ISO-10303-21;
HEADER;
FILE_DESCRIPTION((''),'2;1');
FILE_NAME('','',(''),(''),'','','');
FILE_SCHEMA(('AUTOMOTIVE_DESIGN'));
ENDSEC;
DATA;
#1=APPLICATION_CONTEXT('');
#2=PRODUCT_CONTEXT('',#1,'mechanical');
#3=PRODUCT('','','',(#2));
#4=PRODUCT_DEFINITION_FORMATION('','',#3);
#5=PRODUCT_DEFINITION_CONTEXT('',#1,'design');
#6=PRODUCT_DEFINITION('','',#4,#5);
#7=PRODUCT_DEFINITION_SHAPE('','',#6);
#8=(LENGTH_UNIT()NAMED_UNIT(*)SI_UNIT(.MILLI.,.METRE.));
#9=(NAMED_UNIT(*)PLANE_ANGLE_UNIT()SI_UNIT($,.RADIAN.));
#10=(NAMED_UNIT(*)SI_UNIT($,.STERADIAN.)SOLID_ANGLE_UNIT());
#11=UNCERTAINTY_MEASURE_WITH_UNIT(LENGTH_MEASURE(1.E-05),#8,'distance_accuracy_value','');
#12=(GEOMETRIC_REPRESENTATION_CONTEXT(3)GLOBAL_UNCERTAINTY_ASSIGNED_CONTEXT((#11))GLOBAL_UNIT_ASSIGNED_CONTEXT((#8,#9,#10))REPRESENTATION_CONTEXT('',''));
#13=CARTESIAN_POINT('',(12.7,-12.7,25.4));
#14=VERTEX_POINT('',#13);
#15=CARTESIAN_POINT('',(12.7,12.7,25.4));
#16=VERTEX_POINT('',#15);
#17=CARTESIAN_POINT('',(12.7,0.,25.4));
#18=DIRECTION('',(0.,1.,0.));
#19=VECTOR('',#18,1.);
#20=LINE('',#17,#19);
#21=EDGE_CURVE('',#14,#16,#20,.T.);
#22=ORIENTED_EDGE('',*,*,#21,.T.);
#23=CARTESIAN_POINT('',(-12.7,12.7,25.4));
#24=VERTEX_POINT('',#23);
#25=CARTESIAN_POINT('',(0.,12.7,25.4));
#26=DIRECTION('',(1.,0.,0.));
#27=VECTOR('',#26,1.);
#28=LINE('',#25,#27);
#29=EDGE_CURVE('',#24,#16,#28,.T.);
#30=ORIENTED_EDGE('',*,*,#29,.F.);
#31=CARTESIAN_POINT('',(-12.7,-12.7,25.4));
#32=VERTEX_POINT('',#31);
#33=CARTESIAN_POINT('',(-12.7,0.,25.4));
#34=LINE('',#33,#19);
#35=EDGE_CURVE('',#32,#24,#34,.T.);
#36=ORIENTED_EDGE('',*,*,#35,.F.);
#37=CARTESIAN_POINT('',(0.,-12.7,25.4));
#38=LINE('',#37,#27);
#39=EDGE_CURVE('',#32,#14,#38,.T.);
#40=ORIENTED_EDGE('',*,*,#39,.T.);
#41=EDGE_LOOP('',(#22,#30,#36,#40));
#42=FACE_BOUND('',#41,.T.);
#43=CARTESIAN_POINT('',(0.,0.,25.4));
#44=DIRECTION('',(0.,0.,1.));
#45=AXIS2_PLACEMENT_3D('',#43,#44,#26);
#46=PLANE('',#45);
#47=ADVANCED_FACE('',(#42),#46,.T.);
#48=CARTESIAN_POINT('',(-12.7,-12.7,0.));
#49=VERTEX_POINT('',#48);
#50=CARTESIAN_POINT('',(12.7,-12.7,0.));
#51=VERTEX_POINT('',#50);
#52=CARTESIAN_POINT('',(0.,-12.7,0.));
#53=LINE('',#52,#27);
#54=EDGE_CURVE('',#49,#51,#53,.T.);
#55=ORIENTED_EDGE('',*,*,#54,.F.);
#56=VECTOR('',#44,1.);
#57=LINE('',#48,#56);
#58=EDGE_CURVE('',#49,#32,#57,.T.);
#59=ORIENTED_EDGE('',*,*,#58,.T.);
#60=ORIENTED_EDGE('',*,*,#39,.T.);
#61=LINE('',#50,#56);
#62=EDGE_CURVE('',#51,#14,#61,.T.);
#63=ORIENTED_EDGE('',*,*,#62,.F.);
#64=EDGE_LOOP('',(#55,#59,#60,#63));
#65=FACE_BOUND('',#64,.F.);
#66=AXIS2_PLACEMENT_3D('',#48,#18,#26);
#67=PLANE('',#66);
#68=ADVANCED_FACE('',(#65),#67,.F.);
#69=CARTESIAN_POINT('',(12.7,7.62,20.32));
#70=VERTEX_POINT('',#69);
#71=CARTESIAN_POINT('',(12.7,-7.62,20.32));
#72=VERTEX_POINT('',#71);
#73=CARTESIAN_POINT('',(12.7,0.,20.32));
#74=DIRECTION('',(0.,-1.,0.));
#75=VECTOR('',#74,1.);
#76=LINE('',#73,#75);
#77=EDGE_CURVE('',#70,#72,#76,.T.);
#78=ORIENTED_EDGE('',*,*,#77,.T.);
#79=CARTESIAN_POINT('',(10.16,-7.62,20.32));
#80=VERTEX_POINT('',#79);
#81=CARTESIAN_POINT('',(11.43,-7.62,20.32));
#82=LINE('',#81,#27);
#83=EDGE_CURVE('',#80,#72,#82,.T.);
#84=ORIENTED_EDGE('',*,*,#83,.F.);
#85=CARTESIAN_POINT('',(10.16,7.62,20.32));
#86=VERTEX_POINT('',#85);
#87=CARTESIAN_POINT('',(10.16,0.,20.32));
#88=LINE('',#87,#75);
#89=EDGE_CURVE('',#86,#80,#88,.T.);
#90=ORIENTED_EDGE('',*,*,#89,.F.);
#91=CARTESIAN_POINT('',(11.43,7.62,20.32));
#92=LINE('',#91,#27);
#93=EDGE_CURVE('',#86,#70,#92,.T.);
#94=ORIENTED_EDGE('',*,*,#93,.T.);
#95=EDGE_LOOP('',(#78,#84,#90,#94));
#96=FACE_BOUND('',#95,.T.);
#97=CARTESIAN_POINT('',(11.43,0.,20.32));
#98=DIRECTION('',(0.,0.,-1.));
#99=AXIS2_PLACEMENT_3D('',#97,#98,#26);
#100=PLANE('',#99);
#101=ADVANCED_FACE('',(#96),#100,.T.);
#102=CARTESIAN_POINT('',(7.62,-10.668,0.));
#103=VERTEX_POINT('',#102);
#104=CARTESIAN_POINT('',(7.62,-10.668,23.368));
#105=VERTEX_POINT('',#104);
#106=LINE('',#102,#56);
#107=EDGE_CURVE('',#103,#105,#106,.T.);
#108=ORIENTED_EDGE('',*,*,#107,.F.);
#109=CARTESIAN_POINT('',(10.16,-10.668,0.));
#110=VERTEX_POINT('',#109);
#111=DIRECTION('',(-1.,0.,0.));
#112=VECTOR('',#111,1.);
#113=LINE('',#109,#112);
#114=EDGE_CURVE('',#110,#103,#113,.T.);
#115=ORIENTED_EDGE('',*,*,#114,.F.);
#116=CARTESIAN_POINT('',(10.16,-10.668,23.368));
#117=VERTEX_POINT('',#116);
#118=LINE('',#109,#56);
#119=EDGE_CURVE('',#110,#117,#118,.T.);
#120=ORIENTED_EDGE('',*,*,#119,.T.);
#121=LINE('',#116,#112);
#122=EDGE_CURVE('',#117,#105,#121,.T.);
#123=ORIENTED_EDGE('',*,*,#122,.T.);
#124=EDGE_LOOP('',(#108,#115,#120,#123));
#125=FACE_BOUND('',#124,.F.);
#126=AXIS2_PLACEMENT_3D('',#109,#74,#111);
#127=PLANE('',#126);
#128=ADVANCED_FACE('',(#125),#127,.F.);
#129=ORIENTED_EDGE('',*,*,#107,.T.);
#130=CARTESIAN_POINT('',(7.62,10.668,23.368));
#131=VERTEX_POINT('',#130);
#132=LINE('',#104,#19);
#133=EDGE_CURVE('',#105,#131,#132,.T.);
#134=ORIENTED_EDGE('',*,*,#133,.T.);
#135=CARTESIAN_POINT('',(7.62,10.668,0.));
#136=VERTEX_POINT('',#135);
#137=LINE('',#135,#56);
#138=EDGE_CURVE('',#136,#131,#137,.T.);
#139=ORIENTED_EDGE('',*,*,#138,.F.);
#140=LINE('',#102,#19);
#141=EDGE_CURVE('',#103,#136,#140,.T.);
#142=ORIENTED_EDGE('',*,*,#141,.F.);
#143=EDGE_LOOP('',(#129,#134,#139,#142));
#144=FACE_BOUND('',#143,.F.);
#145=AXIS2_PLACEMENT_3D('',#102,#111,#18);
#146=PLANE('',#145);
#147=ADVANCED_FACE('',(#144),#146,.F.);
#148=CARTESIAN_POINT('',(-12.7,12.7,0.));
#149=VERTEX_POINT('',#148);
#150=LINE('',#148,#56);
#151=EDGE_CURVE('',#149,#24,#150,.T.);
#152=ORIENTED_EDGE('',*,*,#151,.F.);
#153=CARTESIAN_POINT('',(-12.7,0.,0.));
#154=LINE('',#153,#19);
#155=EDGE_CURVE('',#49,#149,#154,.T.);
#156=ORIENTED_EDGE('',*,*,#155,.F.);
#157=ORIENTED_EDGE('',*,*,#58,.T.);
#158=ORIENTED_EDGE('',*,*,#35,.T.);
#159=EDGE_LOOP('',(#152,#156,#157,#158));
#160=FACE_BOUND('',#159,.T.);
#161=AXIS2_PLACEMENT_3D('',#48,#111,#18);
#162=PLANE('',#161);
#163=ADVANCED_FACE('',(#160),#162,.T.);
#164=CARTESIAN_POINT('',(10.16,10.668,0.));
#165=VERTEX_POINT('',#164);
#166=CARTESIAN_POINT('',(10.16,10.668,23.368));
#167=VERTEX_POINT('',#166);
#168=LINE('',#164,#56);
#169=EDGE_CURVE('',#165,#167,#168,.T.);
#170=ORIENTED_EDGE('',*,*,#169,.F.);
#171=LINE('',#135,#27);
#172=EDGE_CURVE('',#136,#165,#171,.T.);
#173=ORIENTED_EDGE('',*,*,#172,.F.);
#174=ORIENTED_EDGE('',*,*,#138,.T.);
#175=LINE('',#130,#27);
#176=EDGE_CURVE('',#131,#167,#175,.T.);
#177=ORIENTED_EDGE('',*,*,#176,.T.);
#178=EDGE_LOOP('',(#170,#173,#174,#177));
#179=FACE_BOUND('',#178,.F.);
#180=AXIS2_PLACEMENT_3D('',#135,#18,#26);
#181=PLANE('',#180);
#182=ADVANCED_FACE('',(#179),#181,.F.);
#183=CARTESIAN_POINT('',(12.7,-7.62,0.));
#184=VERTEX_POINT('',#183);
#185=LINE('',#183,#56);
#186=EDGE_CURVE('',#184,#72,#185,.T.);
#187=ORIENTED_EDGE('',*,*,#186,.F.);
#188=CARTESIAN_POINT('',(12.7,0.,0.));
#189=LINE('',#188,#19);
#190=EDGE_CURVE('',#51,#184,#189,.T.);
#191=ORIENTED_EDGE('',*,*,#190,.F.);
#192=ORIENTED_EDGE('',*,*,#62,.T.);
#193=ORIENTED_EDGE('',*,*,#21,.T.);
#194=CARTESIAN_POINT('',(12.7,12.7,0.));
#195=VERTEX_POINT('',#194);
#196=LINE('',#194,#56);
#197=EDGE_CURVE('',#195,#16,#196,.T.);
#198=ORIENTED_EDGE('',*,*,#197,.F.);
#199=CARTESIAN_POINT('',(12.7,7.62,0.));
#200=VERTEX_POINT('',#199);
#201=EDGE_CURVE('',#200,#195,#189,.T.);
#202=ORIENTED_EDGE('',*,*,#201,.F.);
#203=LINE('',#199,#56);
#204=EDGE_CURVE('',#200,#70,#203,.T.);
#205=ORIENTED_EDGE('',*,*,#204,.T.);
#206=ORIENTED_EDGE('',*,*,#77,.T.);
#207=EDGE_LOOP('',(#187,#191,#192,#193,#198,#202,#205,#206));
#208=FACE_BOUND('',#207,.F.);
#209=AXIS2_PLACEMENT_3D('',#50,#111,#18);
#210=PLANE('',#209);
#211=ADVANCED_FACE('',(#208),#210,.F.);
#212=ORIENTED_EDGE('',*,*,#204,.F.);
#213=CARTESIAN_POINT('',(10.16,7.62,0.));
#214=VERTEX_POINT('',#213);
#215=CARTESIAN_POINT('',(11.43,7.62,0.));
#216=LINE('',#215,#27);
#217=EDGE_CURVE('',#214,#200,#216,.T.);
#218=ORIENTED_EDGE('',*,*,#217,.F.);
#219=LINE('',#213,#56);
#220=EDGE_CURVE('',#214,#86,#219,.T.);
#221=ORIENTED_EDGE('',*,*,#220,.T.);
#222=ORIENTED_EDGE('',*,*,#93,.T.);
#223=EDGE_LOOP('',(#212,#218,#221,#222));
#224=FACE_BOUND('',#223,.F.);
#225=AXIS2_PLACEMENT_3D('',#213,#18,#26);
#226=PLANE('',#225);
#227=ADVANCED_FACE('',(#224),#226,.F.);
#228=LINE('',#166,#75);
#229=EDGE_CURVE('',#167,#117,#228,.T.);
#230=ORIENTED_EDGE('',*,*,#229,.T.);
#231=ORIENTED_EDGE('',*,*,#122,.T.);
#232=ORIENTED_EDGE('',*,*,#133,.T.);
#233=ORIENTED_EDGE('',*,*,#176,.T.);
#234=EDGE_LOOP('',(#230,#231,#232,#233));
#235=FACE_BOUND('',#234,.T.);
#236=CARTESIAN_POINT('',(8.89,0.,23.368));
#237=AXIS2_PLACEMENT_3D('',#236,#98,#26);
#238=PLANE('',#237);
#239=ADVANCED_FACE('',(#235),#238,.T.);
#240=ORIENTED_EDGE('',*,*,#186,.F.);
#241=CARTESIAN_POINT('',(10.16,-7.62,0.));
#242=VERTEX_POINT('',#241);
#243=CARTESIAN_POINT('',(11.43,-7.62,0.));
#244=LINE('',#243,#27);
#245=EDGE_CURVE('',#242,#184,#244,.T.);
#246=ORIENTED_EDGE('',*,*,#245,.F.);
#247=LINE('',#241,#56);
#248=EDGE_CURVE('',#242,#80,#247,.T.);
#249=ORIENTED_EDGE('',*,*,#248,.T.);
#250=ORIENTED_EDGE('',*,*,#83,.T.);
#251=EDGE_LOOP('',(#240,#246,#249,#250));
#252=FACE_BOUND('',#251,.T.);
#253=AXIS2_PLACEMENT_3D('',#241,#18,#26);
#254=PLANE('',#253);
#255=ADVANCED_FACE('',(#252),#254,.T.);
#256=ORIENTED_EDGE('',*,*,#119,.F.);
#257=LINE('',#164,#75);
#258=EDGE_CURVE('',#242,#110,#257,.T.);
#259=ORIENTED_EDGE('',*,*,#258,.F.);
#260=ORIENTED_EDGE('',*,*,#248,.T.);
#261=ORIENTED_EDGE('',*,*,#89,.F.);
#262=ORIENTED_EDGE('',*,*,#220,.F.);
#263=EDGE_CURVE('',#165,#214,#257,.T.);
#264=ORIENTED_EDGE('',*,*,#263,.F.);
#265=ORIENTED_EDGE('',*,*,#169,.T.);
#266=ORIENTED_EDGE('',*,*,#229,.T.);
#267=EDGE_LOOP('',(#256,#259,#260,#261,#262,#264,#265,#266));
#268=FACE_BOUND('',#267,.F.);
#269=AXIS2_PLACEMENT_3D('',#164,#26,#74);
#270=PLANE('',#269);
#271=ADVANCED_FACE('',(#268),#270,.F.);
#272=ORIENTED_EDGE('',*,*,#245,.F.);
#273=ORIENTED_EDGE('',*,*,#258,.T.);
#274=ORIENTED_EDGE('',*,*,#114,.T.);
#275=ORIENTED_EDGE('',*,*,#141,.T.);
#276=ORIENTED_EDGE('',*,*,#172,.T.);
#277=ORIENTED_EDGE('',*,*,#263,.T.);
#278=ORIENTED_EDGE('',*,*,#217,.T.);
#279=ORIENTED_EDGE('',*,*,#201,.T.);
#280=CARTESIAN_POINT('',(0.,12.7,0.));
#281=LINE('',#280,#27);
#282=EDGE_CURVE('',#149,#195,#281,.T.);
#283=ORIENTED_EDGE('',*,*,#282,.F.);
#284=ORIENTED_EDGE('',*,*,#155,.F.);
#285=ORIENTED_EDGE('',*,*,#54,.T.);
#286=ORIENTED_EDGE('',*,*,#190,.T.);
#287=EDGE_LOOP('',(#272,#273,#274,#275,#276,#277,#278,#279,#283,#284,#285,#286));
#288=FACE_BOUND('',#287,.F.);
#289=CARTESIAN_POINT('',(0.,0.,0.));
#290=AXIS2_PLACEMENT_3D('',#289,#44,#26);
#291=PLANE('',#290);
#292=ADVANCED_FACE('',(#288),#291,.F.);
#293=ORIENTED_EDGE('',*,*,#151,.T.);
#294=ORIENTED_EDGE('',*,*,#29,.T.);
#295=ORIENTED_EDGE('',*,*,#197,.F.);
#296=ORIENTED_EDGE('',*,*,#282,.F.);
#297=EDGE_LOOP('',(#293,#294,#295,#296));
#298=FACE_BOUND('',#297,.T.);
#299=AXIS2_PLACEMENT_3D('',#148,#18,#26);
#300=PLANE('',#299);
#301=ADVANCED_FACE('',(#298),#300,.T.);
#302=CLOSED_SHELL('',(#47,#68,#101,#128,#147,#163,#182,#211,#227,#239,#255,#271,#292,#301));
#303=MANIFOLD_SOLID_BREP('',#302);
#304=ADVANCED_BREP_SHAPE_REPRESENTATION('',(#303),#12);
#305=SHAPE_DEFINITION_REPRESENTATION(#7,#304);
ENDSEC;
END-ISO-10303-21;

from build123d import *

# Parameters (mm, degrees)
F0_W     = 25.4
F0_H     = 25.4
F1_DEPTH = 25.4
F3_DEPTH = 23.368
F2_W     = 2.54
F2_H     = 15.24
F4_DEPTH = 20.32


with BuildPart() as f1:
    # F0 (on Top) → F1 (new body)
    with BuildSketch(Plane.XY):
        Rectangle(F0_W, F0_H)
    extrude(amount=F1_DEPTH)

    # F2 (on face) → F3 (cut)
    with BuildSketch(Plane(origin=(0, 0, 0), x_dir=(1, 0, 0), z_dir=(0, 0, -1))):
        Polygon((10.16, -7.62), (10.16, 7.62), (10.16, 10.668), (7.62, 10.668), (7.62, -10.668), (10.16, -10.668), align=None)
    extrude(amount=-F3_DEPTH, mode=Mode.SUBTRACT)

    # F2 (on face) → F4 (cut)
    with BuildSketch(Plane(origin=(0, 0, 0), x_dir=(1, 0, 0), z_dir=(0, 0, -1))):
        with Locations((11.43, 0)):
            Rectangle(F2_W, F2_H)
    extrude(amount=-F4_DEPTH, mode=Mode.SUBTRACT)


solid = f1.part
